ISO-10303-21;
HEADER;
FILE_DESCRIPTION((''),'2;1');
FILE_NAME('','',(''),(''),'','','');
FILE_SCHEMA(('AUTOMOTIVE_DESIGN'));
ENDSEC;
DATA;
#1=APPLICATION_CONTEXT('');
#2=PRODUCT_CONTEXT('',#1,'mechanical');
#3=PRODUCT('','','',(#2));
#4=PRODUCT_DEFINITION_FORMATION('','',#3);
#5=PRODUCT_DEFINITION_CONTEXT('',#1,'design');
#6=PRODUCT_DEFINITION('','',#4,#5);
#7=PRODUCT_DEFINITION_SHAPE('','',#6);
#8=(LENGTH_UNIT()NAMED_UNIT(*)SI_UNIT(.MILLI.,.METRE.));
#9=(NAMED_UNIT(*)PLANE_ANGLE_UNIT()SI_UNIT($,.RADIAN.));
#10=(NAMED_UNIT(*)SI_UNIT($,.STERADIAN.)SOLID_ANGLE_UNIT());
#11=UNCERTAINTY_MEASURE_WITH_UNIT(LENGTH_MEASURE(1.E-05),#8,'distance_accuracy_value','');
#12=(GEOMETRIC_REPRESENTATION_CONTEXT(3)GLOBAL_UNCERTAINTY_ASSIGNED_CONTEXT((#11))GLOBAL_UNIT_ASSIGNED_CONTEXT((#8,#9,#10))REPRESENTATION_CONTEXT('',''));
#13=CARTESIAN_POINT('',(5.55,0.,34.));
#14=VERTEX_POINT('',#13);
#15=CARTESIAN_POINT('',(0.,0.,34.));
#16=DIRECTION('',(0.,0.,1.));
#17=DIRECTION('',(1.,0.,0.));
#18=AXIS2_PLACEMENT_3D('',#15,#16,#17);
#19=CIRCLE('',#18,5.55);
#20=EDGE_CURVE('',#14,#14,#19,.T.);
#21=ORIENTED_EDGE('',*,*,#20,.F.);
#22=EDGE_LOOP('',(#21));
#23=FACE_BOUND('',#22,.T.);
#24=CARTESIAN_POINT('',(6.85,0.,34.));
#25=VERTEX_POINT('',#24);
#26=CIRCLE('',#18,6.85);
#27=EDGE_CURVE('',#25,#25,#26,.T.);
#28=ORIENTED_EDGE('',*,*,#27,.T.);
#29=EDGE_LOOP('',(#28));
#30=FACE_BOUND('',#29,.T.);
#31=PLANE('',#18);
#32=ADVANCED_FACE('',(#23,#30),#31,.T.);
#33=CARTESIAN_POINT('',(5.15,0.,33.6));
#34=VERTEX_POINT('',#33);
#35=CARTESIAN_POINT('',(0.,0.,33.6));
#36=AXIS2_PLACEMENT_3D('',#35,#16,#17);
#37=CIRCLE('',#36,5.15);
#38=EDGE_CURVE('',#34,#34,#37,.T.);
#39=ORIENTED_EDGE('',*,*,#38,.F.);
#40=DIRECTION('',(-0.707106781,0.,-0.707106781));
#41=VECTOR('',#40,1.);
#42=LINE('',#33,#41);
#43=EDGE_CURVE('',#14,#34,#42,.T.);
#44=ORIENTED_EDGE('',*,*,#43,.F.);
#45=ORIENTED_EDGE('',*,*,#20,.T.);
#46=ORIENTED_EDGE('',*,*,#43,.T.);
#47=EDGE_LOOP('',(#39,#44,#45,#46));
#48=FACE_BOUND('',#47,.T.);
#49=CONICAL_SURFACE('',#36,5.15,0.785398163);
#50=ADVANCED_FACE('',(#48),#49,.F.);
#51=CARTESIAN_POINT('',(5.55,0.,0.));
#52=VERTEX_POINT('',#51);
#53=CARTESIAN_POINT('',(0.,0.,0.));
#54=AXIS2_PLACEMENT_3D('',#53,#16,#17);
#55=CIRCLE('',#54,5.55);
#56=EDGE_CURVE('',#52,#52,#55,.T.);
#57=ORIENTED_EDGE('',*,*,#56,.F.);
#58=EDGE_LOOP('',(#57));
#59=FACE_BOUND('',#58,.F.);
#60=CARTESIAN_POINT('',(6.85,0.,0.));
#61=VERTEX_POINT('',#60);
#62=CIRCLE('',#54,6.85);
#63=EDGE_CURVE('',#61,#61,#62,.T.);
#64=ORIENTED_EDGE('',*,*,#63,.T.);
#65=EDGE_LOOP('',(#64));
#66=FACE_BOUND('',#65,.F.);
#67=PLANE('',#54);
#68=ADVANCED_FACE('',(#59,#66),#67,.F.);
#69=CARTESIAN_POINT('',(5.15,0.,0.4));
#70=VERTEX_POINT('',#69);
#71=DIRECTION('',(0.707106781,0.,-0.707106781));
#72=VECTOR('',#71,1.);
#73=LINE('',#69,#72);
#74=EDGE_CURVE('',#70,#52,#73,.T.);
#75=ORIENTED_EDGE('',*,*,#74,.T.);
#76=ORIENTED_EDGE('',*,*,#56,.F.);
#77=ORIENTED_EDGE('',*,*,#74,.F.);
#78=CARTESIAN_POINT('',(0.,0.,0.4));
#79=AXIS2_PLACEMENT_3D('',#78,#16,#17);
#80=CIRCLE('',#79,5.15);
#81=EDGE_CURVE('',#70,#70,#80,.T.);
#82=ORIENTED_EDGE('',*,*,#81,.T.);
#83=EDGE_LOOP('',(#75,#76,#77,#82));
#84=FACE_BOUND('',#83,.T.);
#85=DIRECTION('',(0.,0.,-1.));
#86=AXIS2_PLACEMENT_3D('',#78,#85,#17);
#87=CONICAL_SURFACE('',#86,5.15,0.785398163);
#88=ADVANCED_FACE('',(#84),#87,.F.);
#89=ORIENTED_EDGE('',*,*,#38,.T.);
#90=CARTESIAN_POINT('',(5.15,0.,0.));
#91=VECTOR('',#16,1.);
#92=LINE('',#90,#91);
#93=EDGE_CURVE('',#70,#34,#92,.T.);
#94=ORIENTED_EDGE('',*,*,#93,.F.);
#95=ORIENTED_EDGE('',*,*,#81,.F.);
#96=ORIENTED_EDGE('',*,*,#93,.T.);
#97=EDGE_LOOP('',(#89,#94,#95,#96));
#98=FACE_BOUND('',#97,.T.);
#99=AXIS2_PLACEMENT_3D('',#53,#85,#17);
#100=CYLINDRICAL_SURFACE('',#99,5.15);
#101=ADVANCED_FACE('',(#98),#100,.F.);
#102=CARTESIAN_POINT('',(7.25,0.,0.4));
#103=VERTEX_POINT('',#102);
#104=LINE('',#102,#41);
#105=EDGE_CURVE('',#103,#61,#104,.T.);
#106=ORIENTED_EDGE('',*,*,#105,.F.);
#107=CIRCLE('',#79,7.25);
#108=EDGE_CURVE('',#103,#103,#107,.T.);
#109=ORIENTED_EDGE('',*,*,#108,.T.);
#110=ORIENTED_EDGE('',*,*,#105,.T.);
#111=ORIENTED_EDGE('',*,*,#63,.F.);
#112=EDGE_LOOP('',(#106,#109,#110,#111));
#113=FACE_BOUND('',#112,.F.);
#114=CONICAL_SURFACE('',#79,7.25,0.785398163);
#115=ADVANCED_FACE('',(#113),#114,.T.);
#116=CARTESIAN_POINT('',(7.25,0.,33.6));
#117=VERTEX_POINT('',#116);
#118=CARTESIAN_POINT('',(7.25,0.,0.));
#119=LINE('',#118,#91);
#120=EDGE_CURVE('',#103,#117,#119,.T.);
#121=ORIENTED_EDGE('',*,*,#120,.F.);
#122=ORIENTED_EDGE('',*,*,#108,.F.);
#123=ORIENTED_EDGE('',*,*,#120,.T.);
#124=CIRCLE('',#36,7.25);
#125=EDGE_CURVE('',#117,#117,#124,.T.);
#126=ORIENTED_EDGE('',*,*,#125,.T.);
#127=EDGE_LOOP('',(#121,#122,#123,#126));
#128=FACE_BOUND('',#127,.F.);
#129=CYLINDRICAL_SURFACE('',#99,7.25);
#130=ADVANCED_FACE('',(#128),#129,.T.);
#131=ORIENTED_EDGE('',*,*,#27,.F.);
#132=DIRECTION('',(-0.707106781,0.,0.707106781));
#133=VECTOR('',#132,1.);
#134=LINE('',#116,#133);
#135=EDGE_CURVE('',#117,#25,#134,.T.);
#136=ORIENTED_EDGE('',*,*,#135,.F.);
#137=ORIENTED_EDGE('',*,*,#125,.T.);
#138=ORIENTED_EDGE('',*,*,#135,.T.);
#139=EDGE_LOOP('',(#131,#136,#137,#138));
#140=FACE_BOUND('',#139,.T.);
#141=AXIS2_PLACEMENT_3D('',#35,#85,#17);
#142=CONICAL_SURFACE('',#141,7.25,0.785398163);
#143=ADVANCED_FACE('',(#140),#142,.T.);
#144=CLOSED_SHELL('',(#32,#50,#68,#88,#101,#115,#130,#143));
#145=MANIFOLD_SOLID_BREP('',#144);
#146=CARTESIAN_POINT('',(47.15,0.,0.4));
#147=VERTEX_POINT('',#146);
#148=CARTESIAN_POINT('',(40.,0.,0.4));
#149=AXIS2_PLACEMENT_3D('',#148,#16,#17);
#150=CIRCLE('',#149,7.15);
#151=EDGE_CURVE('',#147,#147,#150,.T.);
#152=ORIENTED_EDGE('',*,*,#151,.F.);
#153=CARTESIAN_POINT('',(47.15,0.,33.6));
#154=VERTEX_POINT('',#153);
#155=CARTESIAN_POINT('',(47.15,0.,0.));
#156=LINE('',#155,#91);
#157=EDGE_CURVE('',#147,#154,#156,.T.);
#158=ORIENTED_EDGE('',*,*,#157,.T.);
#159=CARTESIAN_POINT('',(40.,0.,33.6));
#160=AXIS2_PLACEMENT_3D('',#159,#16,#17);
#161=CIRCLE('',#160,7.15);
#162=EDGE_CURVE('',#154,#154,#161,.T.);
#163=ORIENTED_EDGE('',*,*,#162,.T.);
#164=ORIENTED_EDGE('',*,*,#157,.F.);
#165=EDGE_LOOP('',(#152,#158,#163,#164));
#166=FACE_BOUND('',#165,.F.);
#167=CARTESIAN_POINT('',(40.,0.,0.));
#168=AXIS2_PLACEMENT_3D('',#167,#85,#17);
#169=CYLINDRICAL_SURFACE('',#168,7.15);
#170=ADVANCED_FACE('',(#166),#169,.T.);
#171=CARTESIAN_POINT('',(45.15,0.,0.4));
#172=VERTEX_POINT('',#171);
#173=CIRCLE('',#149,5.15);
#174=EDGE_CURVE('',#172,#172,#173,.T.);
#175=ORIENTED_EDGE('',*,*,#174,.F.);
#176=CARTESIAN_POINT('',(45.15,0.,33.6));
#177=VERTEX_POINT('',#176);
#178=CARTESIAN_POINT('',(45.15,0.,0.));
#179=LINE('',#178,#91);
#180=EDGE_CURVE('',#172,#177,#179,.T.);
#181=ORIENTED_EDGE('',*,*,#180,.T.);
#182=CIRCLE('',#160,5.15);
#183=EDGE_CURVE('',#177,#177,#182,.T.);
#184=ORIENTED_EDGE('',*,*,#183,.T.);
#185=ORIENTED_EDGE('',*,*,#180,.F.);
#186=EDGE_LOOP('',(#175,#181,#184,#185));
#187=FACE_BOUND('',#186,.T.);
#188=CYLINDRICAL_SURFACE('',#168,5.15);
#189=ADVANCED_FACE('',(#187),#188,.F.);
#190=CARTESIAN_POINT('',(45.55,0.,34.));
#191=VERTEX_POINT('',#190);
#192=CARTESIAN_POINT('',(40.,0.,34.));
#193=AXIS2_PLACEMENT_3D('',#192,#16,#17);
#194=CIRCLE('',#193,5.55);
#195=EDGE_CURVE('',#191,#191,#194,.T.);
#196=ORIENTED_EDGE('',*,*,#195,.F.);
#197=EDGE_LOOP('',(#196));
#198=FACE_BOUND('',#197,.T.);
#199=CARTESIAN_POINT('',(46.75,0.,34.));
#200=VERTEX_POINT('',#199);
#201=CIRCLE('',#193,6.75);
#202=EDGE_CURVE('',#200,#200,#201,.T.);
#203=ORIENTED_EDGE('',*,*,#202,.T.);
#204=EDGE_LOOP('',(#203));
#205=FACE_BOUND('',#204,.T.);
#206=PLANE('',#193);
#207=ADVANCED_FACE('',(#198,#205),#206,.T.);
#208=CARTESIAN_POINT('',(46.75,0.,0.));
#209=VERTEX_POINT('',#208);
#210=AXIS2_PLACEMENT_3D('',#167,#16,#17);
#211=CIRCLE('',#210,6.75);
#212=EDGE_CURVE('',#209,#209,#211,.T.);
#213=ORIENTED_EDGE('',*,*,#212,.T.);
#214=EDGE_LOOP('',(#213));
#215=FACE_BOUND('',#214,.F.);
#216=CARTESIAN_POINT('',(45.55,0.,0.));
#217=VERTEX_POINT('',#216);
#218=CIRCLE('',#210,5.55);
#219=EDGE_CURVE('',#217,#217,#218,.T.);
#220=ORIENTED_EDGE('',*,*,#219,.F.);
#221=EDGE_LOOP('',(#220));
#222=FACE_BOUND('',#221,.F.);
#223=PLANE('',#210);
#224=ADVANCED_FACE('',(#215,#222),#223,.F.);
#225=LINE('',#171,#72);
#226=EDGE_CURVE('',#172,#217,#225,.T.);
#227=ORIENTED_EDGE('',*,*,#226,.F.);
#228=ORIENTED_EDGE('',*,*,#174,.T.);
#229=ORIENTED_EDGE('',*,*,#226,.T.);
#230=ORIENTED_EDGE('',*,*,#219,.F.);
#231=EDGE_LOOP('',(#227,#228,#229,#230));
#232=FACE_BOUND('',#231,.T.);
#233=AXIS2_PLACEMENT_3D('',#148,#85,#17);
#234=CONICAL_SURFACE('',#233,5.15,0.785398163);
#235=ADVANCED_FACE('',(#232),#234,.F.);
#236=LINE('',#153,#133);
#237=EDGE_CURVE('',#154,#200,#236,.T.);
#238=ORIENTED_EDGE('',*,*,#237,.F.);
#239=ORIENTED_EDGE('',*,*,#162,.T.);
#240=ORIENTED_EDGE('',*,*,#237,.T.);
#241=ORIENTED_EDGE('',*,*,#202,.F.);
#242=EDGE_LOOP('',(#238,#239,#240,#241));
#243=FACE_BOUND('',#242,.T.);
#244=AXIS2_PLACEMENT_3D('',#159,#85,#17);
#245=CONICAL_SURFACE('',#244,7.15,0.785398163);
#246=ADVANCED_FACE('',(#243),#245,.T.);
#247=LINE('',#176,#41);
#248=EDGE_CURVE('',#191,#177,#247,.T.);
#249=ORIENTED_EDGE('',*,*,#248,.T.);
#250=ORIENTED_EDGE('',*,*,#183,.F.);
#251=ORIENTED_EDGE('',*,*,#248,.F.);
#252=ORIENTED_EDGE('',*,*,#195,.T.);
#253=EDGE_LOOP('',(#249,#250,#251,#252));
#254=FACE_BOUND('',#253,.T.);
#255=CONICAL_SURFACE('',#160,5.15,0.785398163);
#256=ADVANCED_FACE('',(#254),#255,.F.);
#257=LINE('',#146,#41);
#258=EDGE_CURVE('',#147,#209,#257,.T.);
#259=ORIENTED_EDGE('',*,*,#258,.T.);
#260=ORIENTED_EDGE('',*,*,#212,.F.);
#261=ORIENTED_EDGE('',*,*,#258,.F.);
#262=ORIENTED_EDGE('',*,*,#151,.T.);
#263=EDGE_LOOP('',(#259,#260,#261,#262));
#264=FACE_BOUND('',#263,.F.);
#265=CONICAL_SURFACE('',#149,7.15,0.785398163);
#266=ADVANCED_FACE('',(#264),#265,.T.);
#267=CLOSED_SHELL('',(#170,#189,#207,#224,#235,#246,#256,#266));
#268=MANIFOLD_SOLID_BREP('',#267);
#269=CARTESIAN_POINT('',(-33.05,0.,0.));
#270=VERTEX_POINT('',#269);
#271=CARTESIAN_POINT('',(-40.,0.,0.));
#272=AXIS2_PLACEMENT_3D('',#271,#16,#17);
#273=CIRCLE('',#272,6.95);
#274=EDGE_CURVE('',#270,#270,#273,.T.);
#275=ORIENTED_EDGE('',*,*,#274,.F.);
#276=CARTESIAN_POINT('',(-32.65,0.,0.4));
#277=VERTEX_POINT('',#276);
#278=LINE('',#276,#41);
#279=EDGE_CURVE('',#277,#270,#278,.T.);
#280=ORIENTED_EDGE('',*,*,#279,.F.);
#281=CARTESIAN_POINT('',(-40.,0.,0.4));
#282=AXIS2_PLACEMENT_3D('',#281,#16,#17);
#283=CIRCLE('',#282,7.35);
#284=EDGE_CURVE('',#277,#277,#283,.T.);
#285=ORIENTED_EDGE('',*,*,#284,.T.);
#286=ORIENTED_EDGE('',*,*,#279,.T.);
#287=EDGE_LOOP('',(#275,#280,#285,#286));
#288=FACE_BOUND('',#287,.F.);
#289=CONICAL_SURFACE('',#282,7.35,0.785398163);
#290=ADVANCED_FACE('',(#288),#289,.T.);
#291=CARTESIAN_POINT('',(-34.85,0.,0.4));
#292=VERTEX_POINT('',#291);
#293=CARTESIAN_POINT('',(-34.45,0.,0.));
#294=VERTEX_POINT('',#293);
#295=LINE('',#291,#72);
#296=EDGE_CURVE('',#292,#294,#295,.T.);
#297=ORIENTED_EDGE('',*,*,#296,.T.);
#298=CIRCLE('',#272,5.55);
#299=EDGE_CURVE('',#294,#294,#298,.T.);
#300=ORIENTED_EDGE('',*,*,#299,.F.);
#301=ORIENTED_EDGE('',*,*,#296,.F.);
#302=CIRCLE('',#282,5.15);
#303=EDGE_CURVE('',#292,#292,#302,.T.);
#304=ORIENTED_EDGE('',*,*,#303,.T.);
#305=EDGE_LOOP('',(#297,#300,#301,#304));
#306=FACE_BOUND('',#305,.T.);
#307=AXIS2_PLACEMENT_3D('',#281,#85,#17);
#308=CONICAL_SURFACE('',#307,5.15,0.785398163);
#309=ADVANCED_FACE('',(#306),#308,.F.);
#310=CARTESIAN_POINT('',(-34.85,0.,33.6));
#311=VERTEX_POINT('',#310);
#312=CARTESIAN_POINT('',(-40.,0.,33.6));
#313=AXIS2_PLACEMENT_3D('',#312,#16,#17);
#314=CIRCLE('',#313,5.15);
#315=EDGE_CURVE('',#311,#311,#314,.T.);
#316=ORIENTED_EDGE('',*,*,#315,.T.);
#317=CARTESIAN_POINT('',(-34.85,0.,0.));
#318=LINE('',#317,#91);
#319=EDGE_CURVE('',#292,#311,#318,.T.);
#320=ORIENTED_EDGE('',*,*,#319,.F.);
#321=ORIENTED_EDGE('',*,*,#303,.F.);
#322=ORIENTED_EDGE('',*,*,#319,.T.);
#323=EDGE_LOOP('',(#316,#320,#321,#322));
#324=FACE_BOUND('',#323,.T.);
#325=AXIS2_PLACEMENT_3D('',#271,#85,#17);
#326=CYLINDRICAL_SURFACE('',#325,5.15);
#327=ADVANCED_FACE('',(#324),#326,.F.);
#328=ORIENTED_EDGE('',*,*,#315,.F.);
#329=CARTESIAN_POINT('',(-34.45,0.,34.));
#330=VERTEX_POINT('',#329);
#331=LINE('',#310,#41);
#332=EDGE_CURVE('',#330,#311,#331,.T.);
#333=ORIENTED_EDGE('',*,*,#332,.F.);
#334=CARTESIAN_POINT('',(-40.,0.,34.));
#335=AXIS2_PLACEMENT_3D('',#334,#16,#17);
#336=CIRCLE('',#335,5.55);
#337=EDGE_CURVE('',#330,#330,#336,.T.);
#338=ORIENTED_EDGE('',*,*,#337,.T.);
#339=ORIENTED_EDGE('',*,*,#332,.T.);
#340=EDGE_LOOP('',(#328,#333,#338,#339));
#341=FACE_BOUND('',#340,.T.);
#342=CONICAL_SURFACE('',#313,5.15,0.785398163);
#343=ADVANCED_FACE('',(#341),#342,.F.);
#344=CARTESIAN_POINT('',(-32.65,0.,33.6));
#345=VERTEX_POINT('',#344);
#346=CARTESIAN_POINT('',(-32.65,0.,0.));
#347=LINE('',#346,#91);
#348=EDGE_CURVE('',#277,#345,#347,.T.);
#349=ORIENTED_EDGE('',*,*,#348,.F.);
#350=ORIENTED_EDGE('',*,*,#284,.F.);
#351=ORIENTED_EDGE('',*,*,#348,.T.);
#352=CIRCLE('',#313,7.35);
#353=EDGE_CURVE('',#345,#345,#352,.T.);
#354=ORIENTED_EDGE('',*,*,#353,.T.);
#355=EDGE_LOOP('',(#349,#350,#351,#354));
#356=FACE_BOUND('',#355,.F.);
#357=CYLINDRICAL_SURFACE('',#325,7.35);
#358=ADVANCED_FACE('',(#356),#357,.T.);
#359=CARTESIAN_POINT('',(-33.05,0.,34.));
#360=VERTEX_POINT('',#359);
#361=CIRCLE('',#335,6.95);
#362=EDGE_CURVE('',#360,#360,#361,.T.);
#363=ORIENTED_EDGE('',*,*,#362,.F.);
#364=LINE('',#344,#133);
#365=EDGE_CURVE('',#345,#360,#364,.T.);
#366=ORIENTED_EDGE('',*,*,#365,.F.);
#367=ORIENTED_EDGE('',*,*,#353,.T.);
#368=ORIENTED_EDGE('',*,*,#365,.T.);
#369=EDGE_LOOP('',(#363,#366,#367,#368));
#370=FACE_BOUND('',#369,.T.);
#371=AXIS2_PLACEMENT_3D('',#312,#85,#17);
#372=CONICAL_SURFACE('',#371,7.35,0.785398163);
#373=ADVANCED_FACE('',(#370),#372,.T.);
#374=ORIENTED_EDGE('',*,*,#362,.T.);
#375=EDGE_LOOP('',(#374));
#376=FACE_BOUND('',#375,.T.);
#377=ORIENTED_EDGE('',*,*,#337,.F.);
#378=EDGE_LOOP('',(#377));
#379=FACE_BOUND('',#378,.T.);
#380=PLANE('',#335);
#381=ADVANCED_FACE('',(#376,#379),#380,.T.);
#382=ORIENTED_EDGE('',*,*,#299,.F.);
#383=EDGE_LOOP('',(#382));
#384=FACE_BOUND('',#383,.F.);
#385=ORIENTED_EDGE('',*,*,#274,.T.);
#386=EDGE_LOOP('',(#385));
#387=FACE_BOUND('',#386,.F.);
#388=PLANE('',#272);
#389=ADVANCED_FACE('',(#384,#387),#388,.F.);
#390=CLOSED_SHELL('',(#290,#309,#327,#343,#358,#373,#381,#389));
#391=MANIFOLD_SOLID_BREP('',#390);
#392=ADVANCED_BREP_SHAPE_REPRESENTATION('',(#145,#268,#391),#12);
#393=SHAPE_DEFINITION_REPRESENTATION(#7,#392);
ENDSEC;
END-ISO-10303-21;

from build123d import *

# Parameters (mm, degrees)
F0_R     = 7.25
F0_R_2   = 5.15
F0_R_3   = 7.35
F0_R_4   = 7.15
F1_DEPTH = 34
F2_SIZE  = 0.4
F3_SIZE  = 0.4


with BuildPart() as f1:
    # F0 (on Top) → F1 (new body)
    with BuildSketch(Plane.XY):
        Circle(F0_R)
        Circle(F0_R_2, mode=Mode.SUBTRACT)
        with Locations((-40, 0)):
            Circle(F0_R_3)
        with Locations((-40, 0)):
            Circle(F0_R_2, mode=Mode.SUBTRACT)
        with Locations((40, 0)):
            Circle(F0_R_4)
        with Locations((40, 0)):
            Circle(F0_R_2, mode=Mode.SUBTRACT)
    extrude(amount=F1_DEPTH)

    # F2
    f2_edges = [f1.edges().sort_by_distance(p)[0] for p in [
        (-7.25, 0, 0),
        (-47.35, 0, 0),
        (-45.15, 0, 0),
        (32.85, 0, 0),
        (34.85, 0, 0),
        (-5.15, 0, 0),
    ]]
    chamfer(f2_edges, length=F2_SIZE)

    # F3
    f3_edges = [f1.edges().sort_by_distance(p)[0] for p in [
        (-7.25, 0, 34),
        (-47.35, 0, 34),
        (-45.15, 0, 34),
        (32.85, 0, 34),
        (34.85, 0, 34),
        (-5.15, 0, 34),
    ]]
    chamfer(f3_edges, length=F3_SIZE)


solid = f1.part
